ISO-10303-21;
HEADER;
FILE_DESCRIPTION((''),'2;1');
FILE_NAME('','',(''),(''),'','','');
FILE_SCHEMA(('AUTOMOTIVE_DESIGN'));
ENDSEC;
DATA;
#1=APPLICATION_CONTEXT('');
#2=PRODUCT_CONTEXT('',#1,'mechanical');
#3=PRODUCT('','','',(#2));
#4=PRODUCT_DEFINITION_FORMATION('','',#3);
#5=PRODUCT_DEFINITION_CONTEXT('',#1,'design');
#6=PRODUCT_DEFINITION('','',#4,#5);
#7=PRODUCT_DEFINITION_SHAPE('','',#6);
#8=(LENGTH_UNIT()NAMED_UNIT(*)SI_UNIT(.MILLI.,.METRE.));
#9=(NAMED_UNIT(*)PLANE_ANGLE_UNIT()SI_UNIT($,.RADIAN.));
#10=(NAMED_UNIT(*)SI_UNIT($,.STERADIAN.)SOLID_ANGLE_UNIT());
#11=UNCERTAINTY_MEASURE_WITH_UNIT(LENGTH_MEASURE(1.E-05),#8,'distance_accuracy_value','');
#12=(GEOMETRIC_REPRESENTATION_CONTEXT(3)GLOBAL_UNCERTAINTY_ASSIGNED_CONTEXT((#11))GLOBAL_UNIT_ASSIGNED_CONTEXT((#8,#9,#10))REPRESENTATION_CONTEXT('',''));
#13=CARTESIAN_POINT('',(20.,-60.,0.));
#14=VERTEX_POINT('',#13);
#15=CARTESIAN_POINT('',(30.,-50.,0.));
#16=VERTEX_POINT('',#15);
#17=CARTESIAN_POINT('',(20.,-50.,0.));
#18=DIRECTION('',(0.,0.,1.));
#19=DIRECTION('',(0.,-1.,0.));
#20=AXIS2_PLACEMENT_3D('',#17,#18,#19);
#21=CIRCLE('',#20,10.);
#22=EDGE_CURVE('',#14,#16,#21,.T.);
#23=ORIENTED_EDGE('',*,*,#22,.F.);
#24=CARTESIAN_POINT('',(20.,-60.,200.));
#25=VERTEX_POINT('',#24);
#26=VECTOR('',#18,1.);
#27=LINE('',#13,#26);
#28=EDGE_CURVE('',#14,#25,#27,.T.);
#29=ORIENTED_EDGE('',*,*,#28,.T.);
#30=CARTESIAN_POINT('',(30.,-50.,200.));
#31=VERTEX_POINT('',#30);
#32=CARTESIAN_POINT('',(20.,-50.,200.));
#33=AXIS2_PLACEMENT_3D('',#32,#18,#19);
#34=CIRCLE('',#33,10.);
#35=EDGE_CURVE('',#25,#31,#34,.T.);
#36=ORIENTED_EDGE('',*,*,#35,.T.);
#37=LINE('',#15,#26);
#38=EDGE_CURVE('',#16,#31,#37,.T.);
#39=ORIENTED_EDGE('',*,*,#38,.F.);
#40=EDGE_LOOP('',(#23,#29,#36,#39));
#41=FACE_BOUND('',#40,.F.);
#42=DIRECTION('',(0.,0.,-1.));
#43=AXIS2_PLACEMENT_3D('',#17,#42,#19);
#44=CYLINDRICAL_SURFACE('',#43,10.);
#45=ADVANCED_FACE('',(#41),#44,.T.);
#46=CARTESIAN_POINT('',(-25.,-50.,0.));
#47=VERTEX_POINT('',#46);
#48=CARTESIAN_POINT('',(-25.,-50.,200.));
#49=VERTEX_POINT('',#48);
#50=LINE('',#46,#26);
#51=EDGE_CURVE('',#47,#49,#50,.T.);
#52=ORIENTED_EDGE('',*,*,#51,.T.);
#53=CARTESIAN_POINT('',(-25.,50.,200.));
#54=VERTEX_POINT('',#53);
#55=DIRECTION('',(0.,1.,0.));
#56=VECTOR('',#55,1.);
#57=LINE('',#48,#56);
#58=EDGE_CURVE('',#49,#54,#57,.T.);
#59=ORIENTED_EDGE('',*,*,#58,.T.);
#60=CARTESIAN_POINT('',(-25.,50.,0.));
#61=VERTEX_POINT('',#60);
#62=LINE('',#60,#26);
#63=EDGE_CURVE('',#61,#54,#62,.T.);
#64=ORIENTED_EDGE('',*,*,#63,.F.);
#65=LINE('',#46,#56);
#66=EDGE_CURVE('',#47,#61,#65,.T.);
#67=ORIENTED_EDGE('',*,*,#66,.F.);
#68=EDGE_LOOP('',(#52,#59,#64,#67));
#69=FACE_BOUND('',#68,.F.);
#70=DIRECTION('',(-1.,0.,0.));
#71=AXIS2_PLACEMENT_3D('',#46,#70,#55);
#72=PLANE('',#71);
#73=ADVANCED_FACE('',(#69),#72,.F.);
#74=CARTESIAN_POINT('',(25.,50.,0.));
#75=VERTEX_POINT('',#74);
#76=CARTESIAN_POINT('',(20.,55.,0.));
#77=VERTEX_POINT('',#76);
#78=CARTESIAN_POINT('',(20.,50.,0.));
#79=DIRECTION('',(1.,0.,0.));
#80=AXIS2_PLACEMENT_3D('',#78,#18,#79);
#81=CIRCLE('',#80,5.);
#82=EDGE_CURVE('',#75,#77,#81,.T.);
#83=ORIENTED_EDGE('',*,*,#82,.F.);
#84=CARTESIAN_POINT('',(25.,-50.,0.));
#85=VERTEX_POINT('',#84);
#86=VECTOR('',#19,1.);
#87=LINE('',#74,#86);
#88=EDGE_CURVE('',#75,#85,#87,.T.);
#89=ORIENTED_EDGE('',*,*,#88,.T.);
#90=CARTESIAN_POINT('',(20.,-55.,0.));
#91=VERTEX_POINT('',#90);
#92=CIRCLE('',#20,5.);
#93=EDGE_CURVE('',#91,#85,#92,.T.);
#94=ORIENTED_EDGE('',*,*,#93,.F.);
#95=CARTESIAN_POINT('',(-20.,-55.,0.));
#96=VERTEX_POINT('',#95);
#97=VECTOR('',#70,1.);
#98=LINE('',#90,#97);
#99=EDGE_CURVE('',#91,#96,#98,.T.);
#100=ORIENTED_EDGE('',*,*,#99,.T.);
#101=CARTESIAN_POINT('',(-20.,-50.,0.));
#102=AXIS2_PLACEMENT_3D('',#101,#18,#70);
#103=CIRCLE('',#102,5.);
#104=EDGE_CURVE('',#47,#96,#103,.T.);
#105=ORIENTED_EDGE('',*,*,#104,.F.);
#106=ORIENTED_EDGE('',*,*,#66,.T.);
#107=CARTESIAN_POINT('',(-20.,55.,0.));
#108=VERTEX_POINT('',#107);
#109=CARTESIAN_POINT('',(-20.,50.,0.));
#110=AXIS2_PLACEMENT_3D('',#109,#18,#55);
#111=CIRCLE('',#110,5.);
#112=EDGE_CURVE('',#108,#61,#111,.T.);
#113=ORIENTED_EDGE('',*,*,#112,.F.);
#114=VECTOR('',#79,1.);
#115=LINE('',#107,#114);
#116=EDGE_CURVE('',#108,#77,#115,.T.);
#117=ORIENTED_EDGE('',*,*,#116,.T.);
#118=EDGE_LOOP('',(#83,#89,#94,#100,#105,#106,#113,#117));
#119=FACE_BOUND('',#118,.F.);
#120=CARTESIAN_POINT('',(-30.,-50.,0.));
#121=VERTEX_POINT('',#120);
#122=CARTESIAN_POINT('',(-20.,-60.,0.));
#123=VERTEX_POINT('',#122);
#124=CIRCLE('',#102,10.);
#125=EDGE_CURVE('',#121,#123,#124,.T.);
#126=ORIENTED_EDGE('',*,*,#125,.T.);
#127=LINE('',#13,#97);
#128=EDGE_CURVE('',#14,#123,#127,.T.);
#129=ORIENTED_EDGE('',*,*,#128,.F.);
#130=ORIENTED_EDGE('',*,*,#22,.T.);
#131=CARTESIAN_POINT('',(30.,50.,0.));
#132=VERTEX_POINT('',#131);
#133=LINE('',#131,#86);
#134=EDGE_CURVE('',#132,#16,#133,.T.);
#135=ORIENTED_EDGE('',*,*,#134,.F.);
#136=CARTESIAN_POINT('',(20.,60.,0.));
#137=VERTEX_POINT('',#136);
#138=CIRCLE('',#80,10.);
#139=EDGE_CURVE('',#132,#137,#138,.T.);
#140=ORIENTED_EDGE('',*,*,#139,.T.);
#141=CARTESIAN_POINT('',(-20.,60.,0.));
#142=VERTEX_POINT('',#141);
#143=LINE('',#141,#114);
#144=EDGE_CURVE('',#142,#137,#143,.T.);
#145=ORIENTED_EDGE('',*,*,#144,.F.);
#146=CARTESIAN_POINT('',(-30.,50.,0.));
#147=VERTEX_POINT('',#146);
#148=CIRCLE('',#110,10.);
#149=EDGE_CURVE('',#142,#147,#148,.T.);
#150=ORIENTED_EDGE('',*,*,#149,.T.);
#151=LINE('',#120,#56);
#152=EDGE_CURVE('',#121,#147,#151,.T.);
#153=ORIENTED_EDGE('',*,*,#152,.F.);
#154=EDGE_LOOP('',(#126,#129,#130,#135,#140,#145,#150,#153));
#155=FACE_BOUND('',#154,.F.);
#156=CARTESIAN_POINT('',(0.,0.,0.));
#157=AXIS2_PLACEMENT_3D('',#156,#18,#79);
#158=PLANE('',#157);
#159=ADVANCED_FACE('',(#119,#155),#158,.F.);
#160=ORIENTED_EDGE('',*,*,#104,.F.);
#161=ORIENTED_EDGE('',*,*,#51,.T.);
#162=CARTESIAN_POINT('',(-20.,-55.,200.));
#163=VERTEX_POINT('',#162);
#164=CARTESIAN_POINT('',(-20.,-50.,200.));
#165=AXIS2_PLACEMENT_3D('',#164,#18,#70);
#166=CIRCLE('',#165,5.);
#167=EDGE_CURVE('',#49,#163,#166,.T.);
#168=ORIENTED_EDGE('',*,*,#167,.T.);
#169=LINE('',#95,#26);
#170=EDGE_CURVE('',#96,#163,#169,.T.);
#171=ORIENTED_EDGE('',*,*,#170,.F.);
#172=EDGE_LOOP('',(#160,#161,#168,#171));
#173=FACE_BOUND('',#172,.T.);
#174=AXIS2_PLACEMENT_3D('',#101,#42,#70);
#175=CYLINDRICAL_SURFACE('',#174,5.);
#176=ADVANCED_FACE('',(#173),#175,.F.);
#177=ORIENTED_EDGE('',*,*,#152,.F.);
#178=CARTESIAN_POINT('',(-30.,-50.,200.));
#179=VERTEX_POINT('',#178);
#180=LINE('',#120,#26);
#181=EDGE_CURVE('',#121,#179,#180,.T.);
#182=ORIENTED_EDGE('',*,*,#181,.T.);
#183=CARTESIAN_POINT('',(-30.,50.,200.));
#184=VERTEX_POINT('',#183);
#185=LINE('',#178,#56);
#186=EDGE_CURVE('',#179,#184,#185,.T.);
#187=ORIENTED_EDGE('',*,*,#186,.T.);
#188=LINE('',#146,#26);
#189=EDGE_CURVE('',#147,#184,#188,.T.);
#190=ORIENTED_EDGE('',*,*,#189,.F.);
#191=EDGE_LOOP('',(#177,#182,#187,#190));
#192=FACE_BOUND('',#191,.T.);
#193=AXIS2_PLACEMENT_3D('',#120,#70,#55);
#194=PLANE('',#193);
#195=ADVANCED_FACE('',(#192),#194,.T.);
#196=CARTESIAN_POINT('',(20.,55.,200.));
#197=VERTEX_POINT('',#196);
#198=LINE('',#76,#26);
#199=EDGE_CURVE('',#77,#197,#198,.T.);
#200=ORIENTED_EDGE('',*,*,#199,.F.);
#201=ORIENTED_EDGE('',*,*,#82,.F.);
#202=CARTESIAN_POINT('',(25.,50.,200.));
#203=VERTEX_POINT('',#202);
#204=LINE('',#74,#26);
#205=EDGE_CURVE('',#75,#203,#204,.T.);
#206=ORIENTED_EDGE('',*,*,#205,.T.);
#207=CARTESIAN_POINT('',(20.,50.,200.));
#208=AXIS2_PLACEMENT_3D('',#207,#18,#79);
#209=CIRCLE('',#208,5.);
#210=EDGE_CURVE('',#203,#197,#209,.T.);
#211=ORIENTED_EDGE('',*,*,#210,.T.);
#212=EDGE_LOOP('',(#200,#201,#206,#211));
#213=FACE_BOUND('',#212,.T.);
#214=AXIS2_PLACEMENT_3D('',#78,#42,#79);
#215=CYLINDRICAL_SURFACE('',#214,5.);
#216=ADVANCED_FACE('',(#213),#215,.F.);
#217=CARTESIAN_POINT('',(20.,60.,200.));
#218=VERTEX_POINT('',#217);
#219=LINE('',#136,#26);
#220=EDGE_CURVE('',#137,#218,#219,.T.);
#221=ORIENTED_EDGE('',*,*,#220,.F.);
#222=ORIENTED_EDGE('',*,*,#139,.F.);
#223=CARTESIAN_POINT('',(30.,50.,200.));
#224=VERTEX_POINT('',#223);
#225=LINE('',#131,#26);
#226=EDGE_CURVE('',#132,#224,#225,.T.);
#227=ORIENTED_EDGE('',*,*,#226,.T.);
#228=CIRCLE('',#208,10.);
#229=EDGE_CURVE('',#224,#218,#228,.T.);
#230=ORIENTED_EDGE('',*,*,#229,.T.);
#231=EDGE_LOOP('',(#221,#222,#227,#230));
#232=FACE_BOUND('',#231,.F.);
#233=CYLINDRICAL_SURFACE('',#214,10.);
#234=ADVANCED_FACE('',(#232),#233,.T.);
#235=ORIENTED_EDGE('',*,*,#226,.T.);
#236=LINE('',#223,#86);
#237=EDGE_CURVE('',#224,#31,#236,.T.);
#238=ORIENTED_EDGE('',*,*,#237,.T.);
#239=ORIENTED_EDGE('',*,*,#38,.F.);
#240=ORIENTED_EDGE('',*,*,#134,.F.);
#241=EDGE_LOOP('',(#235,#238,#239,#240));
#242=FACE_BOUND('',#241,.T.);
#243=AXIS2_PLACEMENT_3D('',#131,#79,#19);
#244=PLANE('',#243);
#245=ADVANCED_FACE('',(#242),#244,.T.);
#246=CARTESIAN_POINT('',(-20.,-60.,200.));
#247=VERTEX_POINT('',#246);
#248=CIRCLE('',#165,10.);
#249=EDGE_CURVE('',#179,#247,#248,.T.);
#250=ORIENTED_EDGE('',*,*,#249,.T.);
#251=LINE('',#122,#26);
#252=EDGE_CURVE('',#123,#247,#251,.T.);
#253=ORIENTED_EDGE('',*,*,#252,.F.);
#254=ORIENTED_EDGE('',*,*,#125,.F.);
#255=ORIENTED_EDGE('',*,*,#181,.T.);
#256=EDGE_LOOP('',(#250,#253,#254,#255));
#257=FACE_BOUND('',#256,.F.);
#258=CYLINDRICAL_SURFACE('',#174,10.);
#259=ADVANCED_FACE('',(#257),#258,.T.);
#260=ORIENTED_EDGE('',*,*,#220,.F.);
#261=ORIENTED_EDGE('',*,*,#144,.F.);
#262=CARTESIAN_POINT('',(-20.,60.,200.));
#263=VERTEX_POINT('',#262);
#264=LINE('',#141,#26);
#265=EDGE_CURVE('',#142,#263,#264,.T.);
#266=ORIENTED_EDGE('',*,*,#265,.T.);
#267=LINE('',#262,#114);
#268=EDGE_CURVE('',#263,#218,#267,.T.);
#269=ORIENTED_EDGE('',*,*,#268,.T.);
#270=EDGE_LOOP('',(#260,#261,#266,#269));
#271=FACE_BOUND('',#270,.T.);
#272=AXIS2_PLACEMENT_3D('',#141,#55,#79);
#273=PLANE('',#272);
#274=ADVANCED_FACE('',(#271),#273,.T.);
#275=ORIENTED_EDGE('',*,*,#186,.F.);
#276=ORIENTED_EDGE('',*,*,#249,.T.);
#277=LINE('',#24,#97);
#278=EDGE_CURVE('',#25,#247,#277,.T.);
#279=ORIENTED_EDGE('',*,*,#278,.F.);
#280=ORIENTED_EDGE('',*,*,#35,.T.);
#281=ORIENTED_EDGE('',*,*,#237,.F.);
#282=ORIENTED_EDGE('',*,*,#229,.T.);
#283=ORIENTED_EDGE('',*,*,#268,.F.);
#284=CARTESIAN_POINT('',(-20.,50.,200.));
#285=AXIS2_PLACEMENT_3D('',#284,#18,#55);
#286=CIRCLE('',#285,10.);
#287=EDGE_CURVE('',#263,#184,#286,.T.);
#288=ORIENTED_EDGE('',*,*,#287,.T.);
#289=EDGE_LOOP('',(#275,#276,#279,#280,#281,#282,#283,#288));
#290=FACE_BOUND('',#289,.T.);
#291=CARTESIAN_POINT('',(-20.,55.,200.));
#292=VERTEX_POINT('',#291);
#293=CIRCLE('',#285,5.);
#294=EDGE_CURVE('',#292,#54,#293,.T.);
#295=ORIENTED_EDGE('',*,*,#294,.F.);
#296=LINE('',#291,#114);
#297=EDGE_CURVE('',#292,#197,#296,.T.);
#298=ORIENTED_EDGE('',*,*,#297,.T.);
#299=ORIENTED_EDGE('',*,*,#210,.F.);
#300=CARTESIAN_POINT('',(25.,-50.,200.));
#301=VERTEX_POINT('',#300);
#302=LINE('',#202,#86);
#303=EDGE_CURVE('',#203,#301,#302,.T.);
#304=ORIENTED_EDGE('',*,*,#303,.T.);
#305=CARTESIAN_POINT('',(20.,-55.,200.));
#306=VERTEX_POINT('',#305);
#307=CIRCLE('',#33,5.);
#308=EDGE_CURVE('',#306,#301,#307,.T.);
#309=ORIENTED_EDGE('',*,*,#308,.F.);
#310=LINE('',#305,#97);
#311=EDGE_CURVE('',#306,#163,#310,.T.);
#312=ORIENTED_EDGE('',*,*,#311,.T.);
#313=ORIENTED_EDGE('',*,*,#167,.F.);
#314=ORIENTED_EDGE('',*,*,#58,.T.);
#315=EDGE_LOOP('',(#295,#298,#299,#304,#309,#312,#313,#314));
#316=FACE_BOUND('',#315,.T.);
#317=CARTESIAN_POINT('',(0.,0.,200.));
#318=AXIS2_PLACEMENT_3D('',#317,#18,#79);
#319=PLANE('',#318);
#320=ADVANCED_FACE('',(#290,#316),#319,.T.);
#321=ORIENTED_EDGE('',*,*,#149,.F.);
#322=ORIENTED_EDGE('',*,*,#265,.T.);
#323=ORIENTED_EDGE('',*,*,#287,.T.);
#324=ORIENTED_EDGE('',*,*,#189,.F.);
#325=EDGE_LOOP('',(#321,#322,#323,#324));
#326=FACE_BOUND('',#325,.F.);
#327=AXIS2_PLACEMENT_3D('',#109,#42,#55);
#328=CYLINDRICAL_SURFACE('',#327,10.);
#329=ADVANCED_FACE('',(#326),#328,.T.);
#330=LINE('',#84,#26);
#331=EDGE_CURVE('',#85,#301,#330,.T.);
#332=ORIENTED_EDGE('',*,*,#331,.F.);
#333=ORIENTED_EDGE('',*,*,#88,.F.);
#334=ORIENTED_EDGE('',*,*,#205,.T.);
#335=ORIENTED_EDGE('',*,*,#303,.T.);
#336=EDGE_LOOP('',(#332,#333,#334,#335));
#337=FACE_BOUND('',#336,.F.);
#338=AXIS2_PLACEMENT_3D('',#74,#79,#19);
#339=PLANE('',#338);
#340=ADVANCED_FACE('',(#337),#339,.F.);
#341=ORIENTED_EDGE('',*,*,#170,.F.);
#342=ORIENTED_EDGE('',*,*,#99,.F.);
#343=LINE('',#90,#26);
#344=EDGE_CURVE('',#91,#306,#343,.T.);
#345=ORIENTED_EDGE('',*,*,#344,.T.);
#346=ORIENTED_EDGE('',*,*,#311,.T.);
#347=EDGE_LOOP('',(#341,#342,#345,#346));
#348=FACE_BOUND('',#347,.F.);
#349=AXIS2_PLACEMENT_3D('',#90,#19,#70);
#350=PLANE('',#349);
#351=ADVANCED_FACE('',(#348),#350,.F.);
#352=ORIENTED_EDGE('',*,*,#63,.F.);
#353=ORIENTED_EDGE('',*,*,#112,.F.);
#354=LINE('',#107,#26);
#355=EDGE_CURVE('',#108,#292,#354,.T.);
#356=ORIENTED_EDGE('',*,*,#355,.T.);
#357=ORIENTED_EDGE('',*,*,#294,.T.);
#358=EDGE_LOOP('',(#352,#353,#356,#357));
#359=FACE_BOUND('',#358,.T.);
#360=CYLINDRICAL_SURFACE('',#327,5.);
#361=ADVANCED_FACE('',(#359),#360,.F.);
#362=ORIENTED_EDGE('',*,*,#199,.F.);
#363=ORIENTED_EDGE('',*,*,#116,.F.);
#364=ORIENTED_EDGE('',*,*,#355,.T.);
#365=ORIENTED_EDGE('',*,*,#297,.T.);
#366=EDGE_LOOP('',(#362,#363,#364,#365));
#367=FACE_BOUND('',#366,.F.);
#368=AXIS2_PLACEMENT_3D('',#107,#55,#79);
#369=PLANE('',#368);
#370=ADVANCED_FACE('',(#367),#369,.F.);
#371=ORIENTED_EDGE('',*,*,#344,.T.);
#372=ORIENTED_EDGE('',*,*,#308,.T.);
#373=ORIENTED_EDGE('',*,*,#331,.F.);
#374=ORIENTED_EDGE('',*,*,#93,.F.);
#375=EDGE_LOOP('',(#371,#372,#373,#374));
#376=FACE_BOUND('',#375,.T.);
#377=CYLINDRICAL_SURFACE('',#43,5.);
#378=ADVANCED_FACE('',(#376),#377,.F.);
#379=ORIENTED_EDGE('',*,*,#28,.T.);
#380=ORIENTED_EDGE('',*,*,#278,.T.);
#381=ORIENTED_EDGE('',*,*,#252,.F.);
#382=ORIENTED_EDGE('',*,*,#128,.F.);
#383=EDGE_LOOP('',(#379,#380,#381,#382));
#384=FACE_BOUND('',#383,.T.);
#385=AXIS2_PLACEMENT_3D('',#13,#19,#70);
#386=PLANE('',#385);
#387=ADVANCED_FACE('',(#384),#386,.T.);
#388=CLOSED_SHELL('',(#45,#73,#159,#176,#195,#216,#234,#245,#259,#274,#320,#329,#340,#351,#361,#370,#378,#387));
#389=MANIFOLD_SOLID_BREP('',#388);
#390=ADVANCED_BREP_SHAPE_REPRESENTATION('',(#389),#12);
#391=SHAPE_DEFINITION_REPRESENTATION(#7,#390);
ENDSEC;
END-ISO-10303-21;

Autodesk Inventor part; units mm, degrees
ref_plane "YZ Plane" through (0, 0, 0) normal (1, 0, 0) x (0, 1, 0)
ref_plane "Start plane" through (0, 0, 0) normal (0, 0, 1) x (1, 0, 0)
ref_plane "End plane" through (0, 0, 0.001) normal (0, 0, 1) x (1, 0, 0)
sketch "Sketch" plane through (0, 0, 0) normal (0, 0, 1) x (1, 0, 0)
  line L0 (-30, -50) -> (-30, 50)
  line L1 (-20, 60) -> (20, 60)
  line L2 (30, 50) -> (30, -50)
  line L3 (20, -60) -> (-20, -60)
  arc A0 (-30, -50) -> (-20, -60) centre (-20, -50) ccw
  arc A1 (-20, 60) -> (-30, 50) centre (-20, 50) ccw
  arc A2 (30, 50) -> (20, 60) centre (20, 50) ccw
  arc A3 (20, -60) -> (30, -50) centre (20, -50) ccw
  arc A4 (-20, 55) -> (-25, 50) centre (-20, 50) ccw
  line L4 (-20, 55) -> (20, 55)
  arc A5 (25, 50) -> (20, 55) centre (20, 50) ccw
  line L5 (25, 50) -> (25, -50)
  arc A6 (20, -55) -> (25, -50) centre (20, -50) ccw
  line L6 (20, -55) -> (-20, -55)
  arc A7 (-25, -50) -> (-20, -55) centre (-20, -50) ccw
  line L7 (-25, -50) -> (-25, 50)
  line L8 (0, 86.8995) -> (0, -86.8995) construction
  line L9 (-44.8995, 0) -> (44.8995, 0) construction
  dimension "d7" = 10
  dimension "d10" = 120
  dimension "d11" = 60
  dimension "d12" = 5
  dimension "d15" = 60
  dimension "d16" = 30
extrude "Body" add sketch "Sketch" along normal blind 200
sketch "Sketch3" plane through (0, 0, 0) normal (0, 0, 1) x (1, 0, 0)
  line L0 (0, 0) -> (10, 0)
ref_plane "Work Plane3" through (0, 0, 0) normal (0, -1, 0) x (1, 0, 0)
sketch "Sketch4" plane through (0, 0, 0) normal (0, -1, 0) x (1, 0, 0)
  line L0 (-8.5062, 0) -> (13.0844, 0)
  line L1 (-8.5062, 0.001) -> (13.0844, 0.001)
  dimension "d18" = 0.001
sketch "Sketch6" plane through (0, 0, 0) normal (0, 0, 1) x (1, 0, 0)
  circle A0 centre (0, 0) radius 5.4218 construction
equation "\"d7\" = G_IR"
equation "\"d10\" = G_H"
equation "\"d11\" = G_W"
equation "\"d12\" = G_T"
equation "\"d15\" = 0.5 * d10"
equation "\"d16\" = 0.5 * d11"
equation "\"G_W\" = 60"
equation "\"G_H\" = 120"
equation "\"G_T\" = 5"
equation "\"G_IR\" = 10"
equation "\"G_L\" = d18"
equation "\"G_OFFSET_START\" = 0"
equation "\"G_OFFSET_END\" = 0"
equation "\"d14\" = G_OFFSET_END + B_L"
equation "\"B_L\" = 0.001"
properties part number "DIN EN 10219-2 - 120 x 60 x 5  - 0.001" material "Steel, Mild"
